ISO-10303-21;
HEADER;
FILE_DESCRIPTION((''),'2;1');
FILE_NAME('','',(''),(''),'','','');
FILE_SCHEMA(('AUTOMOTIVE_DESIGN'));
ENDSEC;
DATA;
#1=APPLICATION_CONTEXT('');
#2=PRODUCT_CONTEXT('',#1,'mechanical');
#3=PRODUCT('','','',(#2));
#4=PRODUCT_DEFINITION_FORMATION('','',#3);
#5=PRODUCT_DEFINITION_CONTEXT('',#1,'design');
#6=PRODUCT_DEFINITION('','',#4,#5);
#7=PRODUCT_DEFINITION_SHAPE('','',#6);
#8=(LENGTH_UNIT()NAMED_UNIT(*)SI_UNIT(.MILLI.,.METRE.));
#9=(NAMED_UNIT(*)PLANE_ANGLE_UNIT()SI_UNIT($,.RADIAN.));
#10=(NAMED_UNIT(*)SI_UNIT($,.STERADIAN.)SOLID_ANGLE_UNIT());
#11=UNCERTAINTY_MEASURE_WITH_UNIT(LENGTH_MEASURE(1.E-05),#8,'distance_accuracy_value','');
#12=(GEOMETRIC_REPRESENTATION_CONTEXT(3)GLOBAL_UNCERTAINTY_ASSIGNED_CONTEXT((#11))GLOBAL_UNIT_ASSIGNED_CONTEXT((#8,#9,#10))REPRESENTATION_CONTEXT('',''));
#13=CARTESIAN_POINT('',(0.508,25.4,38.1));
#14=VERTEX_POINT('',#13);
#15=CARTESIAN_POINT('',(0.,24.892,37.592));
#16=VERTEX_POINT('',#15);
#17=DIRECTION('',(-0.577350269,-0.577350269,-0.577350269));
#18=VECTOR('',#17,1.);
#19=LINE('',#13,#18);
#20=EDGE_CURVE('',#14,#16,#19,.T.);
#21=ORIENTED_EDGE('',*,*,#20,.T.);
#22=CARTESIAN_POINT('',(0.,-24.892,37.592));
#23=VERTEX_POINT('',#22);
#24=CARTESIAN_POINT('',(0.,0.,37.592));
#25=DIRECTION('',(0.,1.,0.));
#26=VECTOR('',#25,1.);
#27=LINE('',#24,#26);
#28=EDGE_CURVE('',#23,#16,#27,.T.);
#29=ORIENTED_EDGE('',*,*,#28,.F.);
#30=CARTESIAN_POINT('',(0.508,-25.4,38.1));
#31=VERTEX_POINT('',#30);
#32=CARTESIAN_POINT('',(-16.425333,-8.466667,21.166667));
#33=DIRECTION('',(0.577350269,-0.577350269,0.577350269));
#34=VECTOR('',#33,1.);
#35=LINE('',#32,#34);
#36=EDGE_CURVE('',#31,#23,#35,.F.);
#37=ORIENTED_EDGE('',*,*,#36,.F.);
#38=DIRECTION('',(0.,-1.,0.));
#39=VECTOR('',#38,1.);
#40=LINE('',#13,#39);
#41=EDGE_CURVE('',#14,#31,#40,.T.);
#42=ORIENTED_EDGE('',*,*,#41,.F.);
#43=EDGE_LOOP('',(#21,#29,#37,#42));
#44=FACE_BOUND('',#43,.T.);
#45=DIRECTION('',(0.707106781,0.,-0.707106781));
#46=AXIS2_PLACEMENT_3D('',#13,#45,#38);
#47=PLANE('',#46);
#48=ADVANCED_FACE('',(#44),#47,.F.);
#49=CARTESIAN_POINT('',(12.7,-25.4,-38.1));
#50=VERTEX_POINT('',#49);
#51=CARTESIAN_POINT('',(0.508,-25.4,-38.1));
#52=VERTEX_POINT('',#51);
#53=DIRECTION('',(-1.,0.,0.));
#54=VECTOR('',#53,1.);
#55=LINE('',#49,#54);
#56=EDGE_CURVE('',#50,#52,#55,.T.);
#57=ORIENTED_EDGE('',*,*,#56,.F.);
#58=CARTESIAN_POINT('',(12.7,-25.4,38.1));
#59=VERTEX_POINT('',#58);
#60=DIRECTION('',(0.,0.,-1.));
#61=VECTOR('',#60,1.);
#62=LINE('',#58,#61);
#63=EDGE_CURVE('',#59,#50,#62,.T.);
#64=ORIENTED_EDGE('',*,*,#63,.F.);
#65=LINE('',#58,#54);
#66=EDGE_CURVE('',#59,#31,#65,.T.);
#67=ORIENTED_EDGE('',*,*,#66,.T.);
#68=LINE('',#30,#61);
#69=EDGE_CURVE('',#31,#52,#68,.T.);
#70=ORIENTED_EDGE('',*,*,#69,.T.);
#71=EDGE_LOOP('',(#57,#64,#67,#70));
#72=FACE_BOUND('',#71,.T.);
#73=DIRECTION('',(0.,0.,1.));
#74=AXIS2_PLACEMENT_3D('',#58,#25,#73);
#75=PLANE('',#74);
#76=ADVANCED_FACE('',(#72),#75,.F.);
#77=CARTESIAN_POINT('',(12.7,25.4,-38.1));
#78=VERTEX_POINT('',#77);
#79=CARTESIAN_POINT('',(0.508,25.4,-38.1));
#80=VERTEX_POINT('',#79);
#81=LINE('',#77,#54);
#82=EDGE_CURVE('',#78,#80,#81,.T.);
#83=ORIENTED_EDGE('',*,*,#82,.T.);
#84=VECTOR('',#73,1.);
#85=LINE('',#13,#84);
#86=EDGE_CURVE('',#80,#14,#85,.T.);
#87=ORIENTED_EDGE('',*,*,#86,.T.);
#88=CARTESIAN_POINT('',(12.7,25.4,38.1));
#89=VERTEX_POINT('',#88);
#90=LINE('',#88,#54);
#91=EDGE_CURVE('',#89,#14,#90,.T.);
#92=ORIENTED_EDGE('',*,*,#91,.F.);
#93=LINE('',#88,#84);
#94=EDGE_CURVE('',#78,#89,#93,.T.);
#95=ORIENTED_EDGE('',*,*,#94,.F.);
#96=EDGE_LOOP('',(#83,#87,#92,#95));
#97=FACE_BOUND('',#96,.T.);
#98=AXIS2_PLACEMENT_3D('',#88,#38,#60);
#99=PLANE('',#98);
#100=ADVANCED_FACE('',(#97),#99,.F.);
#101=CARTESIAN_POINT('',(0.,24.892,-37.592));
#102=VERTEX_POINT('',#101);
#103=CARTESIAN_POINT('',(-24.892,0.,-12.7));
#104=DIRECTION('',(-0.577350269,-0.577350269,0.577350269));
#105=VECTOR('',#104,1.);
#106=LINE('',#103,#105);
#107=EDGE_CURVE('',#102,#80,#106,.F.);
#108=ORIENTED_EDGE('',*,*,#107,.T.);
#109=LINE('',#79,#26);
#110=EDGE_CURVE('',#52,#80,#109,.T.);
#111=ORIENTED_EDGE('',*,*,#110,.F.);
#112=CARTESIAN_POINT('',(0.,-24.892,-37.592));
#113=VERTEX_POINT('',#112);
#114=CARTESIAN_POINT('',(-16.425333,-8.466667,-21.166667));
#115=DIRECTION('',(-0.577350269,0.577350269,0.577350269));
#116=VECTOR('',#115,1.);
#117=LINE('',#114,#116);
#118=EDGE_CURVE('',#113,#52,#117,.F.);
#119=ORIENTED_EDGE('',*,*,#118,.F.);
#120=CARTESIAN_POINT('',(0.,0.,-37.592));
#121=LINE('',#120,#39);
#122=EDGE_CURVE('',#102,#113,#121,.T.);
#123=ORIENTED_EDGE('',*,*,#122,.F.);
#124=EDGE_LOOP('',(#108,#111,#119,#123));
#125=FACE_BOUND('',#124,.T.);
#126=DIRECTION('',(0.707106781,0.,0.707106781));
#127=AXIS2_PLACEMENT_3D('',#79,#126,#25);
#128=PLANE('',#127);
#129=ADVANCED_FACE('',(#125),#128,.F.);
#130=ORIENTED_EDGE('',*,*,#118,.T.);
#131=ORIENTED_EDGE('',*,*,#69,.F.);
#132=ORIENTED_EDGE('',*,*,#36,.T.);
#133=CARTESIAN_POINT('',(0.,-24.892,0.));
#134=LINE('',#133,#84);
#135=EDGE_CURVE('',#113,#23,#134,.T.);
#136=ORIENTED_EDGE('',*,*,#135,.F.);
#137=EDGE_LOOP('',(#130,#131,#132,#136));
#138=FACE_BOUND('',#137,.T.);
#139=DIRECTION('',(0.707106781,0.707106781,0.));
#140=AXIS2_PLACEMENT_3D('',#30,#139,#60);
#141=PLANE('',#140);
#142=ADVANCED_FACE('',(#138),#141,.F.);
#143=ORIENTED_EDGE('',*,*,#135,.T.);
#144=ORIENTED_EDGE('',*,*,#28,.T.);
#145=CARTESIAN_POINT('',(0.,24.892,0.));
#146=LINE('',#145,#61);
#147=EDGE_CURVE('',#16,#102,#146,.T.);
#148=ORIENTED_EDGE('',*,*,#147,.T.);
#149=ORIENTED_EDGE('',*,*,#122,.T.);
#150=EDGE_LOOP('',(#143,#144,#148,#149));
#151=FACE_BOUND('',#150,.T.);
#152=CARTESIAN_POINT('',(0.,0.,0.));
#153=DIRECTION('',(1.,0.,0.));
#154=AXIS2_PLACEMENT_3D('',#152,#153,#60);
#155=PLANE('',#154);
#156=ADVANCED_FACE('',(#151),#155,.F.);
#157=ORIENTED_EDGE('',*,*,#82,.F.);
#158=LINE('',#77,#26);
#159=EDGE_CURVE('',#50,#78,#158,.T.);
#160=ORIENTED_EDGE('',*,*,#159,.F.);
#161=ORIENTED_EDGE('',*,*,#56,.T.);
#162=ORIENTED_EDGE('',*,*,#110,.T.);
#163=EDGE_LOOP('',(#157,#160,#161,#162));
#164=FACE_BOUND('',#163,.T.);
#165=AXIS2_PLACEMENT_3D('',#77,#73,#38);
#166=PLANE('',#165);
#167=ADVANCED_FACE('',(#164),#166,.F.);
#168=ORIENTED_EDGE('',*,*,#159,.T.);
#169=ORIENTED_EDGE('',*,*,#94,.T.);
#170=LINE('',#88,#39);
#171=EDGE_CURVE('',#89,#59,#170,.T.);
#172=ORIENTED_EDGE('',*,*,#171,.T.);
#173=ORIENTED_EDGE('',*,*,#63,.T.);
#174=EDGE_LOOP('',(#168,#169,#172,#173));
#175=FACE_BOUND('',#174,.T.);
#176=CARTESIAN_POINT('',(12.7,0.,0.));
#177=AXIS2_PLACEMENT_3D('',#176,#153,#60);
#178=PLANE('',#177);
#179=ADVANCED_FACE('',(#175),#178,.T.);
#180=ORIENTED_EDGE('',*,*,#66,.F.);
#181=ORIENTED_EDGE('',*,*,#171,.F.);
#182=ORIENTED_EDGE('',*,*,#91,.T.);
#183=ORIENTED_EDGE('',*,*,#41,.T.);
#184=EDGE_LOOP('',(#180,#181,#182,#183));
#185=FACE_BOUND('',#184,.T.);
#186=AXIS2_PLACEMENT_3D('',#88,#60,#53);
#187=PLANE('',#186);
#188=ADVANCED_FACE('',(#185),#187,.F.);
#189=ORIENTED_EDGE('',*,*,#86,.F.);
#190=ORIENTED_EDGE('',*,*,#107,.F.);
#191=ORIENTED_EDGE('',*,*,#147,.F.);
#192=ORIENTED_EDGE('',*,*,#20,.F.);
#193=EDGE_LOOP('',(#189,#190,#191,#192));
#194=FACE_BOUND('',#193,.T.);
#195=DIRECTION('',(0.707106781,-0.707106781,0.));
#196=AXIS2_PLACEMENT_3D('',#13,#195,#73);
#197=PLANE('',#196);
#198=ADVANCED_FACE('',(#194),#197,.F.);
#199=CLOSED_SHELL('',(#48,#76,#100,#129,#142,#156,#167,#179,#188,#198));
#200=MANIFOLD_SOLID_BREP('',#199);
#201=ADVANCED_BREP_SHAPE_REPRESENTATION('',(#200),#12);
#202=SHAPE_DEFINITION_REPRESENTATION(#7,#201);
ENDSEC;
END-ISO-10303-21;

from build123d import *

# Parameters (mm, degrees)
SKETCH1_W           = 76.2
SKETCH1_H           = 50.8
BOSS_EXTRUDE1_DEPTH = 12.7
CHAMFER1_SIZE       = 0.508


with BuildPart() as part:
    # Sketch1 → Boss-Extrude1 (new body)
    with BuildSketch(Plane(origin=(0, 0, 0), x_dir=(0, 0, -1), z_dir=(1, 0, 0))):
        Rectangle(SKETCH1_W, SKETCH1_H)
    extrude(amount=BOSS_EXTRUDE1_DEPTH)

    # Chamfer1
    chamfer1_edges = [part.edges().sort_by_distance(p)[0] for p in [
        (0, 25.4, 0),
        (0, 0, -38.1),
        (0, -25.4, 0),
        (0, 0, 38.1),
    ]]
    chamfer(chamfer1_edges, length=CHAMFER1_SIZE)


solid = part.part
